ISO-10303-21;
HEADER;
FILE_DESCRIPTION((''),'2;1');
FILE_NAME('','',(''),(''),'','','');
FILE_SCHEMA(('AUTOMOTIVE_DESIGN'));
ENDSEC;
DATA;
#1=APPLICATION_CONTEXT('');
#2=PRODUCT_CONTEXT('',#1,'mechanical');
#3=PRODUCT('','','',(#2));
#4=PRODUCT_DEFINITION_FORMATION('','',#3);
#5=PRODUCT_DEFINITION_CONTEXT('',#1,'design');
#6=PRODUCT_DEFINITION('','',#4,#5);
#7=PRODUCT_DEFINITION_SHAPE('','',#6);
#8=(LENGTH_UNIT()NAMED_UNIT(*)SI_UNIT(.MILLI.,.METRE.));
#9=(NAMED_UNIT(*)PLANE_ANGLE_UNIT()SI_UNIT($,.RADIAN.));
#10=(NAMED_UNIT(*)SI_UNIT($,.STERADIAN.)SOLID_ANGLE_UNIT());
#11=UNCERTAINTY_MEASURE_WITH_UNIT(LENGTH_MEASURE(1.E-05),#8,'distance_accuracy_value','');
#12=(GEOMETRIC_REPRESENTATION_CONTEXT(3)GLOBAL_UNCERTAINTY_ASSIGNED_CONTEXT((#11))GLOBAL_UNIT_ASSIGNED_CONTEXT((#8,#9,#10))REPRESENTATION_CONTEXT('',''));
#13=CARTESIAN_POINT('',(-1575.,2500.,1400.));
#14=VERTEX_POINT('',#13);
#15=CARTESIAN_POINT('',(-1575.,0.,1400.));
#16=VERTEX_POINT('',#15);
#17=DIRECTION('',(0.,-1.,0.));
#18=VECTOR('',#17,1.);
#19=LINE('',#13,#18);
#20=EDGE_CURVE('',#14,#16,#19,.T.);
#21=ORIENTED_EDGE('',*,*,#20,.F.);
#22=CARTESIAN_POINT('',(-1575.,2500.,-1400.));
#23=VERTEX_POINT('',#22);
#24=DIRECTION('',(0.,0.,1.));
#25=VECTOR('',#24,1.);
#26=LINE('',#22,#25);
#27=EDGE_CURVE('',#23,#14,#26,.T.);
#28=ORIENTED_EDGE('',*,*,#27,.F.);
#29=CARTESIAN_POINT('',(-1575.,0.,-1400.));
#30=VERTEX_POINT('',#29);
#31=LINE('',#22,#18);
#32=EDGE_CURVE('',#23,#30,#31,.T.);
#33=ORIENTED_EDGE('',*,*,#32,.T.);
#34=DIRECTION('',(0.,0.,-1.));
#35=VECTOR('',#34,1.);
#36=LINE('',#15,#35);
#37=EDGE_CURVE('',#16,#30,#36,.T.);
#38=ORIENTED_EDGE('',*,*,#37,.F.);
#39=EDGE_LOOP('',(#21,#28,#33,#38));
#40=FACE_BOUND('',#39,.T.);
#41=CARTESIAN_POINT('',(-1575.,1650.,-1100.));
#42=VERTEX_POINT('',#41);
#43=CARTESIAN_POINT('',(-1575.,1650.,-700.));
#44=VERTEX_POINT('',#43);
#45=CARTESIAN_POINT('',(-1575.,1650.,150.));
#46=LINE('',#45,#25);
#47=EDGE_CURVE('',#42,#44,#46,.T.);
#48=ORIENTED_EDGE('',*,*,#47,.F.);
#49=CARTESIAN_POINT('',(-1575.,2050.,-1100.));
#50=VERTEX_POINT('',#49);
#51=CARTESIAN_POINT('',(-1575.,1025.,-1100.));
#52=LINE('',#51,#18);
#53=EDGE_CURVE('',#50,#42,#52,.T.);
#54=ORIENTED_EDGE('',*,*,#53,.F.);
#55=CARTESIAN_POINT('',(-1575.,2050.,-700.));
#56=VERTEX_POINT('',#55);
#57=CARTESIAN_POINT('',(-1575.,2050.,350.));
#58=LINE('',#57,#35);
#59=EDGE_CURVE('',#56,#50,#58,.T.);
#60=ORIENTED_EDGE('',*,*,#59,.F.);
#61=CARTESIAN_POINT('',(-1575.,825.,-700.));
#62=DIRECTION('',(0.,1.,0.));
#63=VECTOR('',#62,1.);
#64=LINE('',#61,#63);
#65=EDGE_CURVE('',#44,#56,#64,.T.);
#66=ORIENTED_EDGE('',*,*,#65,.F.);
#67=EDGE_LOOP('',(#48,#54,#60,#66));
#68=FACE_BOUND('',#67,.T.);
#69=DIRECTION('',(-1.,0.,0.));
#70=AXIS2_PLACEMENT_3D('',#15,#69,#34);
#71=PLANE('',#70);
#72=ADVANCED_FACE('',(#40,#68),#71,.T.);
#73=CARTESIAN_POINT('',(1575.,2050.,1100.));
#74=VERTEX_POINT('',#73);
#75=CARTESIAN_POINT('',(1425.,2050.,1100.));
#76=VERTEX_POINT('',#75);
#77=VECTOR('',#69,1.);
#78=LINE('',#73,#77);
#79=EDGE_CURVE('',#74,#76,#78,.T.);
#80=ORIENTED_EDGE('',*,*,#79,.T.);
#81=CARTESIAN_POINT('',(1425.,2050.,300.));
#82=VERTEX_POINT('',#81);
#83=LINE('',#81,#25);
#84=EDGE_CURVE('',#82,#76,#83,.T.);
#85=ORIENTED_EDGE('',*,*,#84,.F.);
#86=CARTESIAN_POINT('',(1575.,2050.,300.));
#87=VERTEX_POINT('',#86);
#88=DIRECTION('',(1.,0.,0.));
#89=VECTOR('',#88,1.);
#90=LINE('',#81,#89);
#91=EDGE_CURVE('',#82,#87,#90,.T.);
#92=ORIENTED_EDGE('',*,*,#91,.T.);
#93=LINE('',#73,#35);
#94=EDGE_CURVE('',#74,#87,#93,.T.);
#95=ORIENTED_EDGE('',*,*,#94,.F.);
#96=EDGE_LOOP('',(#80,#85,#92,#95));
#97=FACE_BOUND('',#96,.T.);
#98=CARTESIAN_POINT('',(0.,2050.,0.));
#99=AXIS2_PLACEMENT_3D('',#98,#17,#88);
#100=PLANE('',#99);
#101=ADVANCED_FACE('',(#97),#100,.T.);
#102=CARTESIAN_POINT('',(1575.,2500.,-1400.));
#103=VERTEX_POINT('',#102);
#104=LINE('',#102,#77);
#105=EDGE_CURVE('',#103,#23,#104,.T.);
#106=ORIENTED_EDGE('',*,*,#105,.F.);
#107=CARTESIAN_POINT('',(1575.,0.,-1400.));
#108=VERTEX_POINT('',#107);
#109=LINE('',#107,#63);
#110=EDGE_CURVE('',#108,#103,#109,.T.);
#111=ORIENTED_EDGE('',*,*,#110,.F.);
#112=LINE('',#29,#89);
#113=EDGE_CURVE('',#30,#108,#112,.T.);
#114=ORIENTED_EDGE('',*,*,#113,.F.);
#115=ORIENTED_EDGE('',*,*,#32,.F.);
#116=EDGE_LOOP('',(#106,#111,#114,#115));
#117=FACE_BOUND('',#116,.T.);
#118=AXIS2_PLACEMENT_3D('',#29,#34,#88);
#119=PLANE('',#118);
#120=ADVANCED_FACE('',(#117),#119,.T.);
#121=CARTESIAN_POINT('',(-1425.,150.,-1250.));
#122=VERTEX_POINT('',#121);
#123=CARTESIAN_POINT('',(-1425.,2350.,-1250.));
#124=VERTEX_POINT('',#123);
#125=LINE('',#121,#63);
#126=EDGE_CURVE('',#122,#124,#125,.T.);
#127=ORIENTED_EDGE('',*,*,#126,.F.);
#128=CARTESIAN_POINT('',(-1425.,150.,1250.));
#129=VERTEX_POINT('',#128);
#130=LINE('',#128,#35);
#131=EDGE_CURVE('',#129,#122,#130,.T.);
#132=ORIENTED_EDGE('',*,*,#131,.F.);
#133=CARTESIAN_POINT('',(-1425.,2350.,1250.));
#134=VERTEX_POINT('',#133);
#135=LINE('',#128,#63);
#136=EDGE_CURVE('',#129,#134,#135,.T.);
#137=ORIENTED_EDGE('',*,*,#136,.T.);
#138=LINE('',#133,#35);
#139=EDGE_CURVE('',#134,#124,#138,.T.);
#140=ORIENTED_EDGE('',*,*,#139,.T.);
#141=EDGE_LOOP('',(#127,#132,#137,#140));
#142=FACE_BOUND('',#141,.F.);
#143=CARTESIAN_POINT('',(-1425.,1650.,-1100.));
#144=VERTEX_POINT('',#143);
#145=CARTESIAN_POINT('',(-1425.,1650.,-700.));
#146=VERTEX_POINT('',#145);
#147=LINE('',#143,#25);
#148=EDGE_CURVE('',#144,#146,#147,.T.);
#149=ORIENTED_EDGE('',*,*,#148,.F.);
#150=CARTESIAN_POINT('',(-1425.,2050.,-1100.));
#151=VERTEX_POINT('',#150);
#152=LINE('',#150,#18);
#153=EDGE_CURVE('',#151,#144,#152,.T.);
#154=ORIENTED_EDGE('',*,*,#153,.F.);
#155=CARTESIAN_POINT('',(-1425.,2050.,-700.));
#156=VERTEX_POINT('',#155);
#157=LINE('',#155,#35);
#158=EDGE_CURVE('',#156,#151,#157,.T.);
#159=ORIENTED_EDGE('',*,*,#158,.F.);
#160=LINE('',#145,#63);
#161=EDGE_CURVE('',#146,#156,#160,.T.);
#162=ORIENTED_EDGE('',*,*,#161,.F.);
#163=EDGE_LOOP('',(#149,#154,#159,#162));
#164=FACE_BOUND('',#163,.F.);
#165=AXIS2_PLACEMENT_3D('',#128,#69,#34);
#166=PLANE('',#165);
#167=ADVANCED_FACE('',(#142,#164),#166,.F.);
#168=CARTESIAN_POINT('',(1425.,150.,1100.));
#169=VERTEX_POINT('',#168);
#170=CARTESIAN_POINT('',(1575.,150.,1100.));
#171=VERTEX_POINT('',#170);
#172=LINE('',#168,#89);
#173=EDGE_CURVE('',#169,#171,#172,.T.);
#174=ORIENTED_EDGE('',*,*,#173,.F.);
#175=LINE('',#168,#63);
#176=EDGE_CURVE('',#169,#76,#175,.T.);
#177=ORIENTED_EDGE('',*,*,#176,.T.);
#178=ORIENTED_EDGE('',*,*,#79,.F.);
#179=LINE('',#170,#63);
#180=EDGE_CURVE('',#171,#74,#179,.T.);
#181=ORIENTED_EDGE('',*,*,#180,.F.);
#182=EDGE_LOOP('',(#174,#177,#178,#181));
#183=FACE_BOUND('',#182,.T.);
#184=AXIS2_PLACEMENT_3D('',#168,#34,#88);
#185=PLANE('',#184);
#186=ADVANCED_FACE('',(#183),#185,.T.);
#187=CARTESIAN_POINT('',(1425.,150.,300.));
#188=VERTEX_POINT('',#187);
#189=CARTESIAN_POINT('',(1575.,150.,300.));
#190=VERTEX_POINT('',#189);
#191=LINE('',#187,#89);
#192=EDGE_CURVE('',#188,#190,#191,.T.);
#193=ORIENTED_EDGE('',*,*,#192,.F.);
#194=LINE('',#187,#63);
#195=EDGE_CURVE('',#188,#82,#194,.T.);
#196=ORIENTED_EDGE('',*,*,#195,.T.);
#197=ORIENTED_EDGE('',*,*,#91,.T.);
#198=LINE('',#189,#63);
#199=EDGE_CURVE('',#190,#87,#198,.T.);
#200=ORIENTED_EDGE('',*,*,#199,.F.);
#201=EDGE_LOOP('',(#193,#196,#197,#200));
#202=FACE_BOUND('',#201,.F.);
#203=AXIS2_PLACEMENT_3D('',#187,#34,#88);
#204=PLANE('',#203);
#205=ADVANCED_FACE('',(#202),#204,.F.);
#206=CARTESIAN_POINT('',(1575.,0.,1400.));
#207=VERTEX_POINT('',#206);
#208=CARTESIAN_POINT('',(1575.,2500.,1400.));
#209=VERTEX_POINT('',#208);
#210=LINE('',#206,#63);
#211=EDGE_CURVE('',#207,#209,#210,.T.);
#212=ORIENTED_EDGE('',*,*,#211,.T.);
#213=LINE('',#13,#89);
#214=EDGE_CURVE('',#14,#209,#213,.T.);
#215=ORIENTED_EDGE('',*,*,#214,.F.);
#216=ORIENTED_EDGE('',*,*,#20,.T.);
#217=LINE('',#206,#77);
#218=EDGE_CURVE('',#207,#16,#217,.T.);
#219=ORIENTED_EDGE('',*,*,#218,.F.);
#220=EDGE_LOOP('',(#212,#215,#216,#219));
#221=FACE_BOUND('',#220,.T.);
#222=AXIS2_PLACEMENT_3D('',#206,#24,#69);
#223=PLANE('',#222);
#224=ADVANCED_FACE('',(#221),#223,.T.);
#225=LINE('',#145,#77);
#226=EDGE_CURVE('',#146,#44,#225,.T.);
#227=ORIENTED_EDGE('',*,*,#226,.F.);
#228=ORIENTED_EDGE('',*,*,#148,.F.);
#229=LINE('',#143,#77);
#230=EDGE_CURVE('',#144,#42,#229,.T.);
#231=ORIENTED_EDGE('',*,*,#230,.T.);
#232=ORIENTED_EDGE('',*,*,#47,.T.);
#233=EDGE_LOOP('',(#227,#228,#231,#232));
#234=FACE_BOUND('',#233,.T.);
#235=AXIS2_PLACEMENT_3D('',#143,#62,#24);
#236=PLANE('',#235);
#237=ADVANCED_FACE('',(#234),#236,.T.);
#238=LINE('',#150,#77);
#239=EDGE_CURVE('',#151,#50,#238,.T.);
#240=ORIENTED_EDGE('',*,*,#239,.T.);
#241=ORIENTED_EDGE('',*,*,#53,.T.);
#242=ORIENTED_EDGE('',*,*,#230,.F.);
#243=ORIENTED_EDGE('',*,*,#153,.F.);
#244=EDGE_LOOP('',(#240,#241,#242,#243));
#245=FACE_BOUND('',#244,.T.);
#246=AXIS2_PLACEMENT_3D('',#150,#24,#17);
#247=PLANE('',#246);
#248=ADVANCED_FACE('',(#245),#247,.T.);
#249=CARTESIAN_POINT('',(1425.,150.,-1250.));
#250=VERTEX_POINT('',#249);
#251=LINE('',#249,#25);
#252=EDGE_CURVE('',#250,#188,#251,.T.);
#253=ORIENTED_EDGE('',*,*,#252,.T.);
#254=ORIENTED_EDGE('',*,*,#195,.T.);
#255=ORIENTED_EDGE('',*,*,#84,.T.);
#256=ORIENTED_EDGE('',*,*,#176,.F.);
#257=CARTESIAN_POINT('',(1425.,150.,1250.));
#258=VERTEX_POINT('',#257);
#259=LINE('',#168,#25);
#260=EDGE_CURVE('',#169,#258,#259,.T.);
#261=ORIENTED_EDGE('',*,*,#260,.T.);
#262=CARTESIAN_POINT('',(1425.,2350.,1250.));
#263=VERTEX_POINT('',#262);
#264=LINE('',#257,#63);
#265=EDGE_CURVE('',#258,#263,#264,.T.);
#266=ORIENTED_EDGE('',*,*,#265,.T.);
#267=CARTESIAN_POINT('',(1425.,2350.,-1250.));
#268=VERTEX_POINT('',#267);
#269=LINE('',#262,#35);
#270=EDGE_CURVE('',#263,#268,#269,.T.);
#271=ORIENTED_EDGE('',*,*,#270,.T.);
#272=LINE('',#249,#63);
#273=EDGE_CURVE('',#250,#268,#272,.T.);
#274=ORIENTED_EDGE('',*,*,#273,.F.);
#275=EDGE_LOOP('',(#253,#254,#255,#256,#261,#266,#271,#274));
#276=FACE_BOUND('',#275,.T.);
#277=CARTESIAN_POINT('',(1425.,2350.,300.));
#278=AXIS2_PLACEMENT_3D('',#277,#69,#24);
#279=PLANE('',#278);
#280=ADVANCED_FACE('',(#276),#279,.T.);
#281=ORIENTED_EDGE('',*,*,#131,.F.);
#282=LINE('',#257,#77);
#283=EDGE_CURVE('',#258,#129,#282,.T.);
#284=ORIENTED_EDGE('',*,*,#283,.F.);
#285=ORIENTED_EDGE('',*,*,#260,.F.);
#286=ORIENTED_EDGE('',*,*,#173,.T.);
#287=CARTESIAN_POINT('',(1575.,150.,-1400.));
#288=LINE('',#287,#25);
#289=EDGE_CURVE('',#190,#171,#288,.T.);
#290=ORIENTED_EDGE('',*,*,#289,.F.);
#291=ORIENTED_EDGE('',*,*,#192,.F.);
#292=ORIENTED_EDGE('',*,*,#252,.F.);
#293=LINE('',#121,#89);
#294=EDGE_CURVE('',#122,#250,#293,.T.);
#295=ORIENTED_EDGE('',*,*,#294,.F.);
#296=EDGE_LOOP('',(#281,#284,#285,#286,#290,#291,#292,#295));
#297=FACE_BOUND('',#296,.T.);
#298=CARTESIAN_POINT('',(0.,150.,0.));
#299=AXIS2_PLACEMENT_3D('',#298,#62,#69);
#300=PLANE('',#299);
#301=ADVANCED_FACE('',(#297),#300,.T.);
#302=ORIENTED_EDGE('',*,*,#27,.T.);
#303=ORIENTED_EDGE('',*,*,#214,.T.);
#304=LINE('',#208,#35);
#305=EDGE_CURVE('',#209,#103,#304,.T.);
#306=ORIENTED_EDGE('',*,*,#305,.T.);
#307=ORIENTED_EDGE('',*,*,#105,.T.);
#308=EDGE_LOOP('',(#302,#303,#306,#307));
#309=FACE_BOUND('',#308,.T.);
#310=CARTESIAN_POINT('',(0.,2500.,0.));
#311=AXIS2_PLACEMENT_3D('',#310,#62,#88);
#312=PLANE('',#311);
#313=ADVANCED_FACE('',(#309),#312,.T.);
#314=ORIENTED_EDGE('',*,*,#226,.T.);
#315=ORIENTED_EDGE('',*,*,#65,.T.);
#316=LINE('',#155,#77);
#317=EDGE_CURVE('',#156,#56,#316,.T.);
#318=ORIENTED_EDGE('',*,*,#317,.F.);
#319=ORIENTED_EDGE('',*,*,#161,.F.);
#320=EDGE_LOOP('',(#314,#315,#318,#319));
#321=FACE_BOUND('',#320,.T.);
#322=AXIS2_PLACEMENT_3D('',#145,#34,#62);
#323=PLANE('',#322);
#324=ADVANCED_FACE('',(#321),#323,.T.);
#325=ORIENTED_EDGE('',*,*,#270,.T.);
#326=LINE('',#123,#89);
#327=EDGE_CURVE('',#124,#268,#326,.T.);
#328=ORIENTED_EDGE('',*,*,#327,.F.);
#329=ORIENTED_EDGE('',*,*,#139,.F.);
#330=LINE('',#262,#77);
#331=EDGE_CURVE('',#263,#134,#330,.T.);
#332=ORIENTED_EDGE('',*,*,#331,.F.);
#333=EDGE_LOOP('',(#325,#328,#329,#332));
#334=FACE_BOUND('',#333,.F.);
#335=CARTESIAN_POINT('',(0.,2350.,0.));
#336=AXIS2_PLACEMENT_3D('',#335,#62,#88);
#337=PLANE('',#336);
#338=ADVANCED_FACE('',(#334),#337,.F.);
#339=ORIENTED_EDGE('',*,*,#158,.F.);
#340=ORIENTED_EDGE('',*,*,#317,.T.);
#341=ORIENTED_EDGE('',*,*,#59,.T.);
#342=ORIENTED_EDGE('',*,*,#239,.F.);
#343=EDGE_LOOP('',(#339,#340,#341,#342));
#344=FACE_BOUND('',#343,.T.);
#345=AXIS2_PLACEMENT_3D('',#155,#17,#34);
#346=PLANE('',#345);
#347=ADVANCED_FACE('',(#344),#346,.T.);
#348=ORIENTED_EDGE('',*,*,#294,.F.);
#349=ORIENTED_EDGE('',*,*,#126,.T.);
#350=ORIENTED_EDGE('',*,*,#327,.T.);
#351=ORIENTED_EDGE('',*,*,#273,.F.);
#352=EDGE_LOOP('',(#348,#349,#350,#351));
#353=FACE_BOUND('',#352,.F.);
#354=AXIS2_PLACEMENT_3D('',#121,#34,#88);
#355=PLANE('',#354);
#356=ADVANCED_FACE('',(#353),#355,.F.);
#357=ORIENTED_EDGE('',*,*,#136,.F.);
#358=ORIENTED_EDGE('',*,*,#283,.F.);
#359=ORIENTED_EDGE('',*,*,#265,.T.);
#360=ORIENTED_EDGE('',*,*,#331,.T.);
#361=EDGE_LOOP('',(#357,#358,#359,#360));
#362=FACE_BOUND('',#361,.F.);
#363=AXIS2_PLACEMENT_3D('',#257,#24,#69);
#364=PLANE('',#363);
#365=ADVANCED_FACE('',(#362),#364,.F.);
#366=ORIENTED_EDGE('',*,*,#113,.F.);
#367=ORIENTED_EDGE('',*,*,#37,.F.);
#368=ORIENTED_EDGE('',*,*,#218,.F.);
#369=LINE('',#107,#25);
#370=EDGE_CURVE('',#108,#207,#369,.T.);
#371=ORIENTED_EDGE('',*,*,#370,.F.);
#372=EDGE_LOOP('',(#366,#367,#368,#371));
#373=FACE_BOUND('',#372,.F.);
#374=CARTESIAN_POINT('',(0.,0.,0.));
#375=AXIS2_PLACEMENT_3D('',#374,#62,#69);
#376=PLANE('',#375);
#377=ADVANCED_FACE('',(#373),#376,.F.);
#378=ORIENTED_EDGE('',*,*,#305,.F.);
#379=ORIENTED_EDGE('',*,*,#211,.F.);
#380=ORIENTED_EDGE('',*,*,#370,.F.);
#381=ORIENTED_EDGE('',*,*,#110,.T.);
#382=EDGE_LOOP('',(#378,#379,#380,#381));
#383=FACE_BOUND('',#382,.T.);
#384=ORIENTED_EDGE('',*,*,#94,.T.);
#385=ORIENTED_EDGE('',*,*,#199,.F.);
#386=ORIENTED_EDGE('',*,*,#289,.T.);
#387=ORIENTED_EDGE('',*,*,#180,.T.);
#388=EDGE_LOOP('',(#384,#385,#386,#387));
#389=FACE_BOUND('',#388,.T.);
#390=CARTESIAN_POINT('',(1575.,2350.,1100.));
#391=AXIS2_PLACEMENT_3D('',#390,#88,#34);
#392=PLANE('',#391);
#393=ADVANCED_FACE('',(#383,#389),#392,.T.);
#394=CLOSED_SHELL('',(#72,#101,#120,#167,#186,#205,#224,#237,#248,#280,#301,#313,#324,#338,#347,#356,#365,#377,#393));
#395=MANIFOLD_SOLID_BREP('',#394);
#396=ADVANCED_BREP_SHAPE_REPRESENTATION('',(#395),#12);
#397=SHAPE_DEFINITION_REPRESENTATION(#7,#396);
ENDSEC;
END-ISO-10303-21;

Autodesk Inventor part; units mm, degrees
ref_plane "YZ Plane" through (0, 0, 0) normal (1, 0, 0) x (0, 1, 0)
ref_plane "XZ Plane" through (0, 0, 0) normal (0, 1, 0) x (-1, 0, 0)
ref_plane "XY Plane" through (0, 0, 0) normal (0, 0, 1) x (1, 0, 0)
sketch "Náčrt1" plane through (0, 0, 0) normal (0, 1, 0) x (-1, 0, 0)
  line L0 (-1575, 1400) -> (1575, 1400)
  line L1 (1575, 1400) -> (1575, -1400)
  line L2 (1575, -1400) -> (-1575, -1400)
  line L3 (-1575, -1400) -> (-1575, 1400)
  line L4 (-1575, 1400) -> (1575, -1400) construction
  line L5 (1575, 1400) -> (-1575, -1400) construction
  point P0 (0, 0)
  dimension "d0" = 3150
  dimension "d1" = 2800
extrude "Vysunutí1" add sketch "Náčrt1" along normal blind 150
sketch "Náčrt2" plane through (0, 150, 0) normal (0, 1, 0) x (1, 0, 0)
  line L0 (-1575, -1400) -> (1575, -1400) projected
  line L1 (1575, -1400) -> (1575, 1400) projected
  line L2 (1575, 1400) -> (-1575, 1400) projected
  line L3 (-1575, 1400) -> (-1575, -1400) projected
  line L4 (1425, -1250) -> (-1425, -1250)
  line L5 (-1425, -1250) -> (-1425, 1250)
  line L6 (-1425, 1250) -> (1425, 1250)
  line L7 (1425, -1250) -> (-1425, 1250) construction
  line L8 (-1425, -1250) -> (1425, 1250) construction
  line L9 (1425, -1100) -> (1575, -1100)
  line L10 (1575, -1400) -> (1575, 1400) projected
  line L11 (1425, -300) -> (1575, -300)
  line L12 (1425, 1250) -> (1425, -300)
  line L13 (1425, -1100) -> (1425, -1250)
  line L14 (1575, -300) -> (1575, 1400)
  line L15 (-1575, 1400) -> (-1575, -1400) projected
  line L16 (-1575, 1400) -> (-1575, -1400)
  line L17 (-1575, -1400) -> (1575, -1400) projected
  line L18 (-1575, -1400) -> (1575, -1400)
  line L19 (1575, -1400) -> (1575, -1100)
  point P0 (0, 0)
  dimension "d4" = 2850
  dimension "d5" = 2500
  dimension "d6" = 150
  dimension "d7" = 800
extrude "Vysunutí2" add sketch "Náčrt2" along normal blind 2200 contours L3 L2 L1 L11 L12 L6 L5 L4 L13 L9 L0
sketch "Náčrt3" plane through (0, 2350, 0) normal (0, 1, 0) x (1, 0, 0)
  line L0 (-1575, -1400) -> (1575, -1400) projected
  line L1 (1575, -1400) -> (1575, -1100) projected
  line L2 (1575, -1100) -> (1425, -1100) projected
  line L3 (1425, -1100) -> (1425, -1250) projected
  line L4 (1425, -1250) -> (-1425, -1250) projected
  line L5 (-1425, -1250) -> (-1425, 1250) projected
  line L6 (-1425, 1250) -> (1425, 1250) projected
  line L7 (1425, 1250) -> (1425, -300) projected
  line L8 (1425, -300) -> (1575, -300) projected
  line L9 (1575, -300) -> (1575, 1400) projected
  line L10 (1575, 1400) -> (-1575, 1400) projected
  line L11 (-1575, 1400) -> (-1575, -1400) projected
  line L12 (-1575, -1400) -> (1575, -1400)
  line L13 (1575, -1400) -> (1575, 1400)
  line L14 (1575, 1400) -> (-1575, 1400)
  line L15 (-1575, 1400) -> (-1575, -1400)
extrude "Vysunutí3" add sketch "Náčrt3" along normal blind 150
sketch "Náčrt4" plane through (0, 2350, 0) normal (0, -1, 0) x (1, 0, 0)
  line L0 (1575, 1100) -> (1425, 1100) projected
  line L1 (1425, 300) -> (1575, 300) projected
  line L2 (1425, 1100) -> (1575, 1100)
  line L3 (1575, 1100) -> (1575, 300)
  line L4 (1575, 300) -> (1425, 300)
  line L5 (1425, 300) -> (1425, 1100)
  point P0 (0, 0)
extrude "Vysunutí4" add sketch "Náčrt4" along normal blind 300
sketch "Náčrt5" plane through (-1425, 150, 1250) normal (1, 0, 0) x (0, 0, -1)
  line L0 (2500, 0) -> (0, 0) projected
  line L1 (2500, 0) -> (2500, 2200) projected
  line L2 (0, 2200) -> (2500, 2200) projected
  line L3 (0, 0) -> (0, 2200) projected
  line L4 (1950, 1900) -> (2350, 1900)
  line L5 (2350, 1900) -> (2350, 1500)
  line L6 (2350, 1500) -> (1950, 1500)
  line L7 (1950, 1500) -> (1950, 1900)
  point P0 (1250, -150)
  dimension "d14" = 400
  dimension "d15" = 400
  dimension "d16" = 150
  dimension "d17" = 300
extrude "Vysunutí5" cut sketch "Náčrt5" against normal up to next contours L4 L5 L6 L7
properties part number "Basement"
